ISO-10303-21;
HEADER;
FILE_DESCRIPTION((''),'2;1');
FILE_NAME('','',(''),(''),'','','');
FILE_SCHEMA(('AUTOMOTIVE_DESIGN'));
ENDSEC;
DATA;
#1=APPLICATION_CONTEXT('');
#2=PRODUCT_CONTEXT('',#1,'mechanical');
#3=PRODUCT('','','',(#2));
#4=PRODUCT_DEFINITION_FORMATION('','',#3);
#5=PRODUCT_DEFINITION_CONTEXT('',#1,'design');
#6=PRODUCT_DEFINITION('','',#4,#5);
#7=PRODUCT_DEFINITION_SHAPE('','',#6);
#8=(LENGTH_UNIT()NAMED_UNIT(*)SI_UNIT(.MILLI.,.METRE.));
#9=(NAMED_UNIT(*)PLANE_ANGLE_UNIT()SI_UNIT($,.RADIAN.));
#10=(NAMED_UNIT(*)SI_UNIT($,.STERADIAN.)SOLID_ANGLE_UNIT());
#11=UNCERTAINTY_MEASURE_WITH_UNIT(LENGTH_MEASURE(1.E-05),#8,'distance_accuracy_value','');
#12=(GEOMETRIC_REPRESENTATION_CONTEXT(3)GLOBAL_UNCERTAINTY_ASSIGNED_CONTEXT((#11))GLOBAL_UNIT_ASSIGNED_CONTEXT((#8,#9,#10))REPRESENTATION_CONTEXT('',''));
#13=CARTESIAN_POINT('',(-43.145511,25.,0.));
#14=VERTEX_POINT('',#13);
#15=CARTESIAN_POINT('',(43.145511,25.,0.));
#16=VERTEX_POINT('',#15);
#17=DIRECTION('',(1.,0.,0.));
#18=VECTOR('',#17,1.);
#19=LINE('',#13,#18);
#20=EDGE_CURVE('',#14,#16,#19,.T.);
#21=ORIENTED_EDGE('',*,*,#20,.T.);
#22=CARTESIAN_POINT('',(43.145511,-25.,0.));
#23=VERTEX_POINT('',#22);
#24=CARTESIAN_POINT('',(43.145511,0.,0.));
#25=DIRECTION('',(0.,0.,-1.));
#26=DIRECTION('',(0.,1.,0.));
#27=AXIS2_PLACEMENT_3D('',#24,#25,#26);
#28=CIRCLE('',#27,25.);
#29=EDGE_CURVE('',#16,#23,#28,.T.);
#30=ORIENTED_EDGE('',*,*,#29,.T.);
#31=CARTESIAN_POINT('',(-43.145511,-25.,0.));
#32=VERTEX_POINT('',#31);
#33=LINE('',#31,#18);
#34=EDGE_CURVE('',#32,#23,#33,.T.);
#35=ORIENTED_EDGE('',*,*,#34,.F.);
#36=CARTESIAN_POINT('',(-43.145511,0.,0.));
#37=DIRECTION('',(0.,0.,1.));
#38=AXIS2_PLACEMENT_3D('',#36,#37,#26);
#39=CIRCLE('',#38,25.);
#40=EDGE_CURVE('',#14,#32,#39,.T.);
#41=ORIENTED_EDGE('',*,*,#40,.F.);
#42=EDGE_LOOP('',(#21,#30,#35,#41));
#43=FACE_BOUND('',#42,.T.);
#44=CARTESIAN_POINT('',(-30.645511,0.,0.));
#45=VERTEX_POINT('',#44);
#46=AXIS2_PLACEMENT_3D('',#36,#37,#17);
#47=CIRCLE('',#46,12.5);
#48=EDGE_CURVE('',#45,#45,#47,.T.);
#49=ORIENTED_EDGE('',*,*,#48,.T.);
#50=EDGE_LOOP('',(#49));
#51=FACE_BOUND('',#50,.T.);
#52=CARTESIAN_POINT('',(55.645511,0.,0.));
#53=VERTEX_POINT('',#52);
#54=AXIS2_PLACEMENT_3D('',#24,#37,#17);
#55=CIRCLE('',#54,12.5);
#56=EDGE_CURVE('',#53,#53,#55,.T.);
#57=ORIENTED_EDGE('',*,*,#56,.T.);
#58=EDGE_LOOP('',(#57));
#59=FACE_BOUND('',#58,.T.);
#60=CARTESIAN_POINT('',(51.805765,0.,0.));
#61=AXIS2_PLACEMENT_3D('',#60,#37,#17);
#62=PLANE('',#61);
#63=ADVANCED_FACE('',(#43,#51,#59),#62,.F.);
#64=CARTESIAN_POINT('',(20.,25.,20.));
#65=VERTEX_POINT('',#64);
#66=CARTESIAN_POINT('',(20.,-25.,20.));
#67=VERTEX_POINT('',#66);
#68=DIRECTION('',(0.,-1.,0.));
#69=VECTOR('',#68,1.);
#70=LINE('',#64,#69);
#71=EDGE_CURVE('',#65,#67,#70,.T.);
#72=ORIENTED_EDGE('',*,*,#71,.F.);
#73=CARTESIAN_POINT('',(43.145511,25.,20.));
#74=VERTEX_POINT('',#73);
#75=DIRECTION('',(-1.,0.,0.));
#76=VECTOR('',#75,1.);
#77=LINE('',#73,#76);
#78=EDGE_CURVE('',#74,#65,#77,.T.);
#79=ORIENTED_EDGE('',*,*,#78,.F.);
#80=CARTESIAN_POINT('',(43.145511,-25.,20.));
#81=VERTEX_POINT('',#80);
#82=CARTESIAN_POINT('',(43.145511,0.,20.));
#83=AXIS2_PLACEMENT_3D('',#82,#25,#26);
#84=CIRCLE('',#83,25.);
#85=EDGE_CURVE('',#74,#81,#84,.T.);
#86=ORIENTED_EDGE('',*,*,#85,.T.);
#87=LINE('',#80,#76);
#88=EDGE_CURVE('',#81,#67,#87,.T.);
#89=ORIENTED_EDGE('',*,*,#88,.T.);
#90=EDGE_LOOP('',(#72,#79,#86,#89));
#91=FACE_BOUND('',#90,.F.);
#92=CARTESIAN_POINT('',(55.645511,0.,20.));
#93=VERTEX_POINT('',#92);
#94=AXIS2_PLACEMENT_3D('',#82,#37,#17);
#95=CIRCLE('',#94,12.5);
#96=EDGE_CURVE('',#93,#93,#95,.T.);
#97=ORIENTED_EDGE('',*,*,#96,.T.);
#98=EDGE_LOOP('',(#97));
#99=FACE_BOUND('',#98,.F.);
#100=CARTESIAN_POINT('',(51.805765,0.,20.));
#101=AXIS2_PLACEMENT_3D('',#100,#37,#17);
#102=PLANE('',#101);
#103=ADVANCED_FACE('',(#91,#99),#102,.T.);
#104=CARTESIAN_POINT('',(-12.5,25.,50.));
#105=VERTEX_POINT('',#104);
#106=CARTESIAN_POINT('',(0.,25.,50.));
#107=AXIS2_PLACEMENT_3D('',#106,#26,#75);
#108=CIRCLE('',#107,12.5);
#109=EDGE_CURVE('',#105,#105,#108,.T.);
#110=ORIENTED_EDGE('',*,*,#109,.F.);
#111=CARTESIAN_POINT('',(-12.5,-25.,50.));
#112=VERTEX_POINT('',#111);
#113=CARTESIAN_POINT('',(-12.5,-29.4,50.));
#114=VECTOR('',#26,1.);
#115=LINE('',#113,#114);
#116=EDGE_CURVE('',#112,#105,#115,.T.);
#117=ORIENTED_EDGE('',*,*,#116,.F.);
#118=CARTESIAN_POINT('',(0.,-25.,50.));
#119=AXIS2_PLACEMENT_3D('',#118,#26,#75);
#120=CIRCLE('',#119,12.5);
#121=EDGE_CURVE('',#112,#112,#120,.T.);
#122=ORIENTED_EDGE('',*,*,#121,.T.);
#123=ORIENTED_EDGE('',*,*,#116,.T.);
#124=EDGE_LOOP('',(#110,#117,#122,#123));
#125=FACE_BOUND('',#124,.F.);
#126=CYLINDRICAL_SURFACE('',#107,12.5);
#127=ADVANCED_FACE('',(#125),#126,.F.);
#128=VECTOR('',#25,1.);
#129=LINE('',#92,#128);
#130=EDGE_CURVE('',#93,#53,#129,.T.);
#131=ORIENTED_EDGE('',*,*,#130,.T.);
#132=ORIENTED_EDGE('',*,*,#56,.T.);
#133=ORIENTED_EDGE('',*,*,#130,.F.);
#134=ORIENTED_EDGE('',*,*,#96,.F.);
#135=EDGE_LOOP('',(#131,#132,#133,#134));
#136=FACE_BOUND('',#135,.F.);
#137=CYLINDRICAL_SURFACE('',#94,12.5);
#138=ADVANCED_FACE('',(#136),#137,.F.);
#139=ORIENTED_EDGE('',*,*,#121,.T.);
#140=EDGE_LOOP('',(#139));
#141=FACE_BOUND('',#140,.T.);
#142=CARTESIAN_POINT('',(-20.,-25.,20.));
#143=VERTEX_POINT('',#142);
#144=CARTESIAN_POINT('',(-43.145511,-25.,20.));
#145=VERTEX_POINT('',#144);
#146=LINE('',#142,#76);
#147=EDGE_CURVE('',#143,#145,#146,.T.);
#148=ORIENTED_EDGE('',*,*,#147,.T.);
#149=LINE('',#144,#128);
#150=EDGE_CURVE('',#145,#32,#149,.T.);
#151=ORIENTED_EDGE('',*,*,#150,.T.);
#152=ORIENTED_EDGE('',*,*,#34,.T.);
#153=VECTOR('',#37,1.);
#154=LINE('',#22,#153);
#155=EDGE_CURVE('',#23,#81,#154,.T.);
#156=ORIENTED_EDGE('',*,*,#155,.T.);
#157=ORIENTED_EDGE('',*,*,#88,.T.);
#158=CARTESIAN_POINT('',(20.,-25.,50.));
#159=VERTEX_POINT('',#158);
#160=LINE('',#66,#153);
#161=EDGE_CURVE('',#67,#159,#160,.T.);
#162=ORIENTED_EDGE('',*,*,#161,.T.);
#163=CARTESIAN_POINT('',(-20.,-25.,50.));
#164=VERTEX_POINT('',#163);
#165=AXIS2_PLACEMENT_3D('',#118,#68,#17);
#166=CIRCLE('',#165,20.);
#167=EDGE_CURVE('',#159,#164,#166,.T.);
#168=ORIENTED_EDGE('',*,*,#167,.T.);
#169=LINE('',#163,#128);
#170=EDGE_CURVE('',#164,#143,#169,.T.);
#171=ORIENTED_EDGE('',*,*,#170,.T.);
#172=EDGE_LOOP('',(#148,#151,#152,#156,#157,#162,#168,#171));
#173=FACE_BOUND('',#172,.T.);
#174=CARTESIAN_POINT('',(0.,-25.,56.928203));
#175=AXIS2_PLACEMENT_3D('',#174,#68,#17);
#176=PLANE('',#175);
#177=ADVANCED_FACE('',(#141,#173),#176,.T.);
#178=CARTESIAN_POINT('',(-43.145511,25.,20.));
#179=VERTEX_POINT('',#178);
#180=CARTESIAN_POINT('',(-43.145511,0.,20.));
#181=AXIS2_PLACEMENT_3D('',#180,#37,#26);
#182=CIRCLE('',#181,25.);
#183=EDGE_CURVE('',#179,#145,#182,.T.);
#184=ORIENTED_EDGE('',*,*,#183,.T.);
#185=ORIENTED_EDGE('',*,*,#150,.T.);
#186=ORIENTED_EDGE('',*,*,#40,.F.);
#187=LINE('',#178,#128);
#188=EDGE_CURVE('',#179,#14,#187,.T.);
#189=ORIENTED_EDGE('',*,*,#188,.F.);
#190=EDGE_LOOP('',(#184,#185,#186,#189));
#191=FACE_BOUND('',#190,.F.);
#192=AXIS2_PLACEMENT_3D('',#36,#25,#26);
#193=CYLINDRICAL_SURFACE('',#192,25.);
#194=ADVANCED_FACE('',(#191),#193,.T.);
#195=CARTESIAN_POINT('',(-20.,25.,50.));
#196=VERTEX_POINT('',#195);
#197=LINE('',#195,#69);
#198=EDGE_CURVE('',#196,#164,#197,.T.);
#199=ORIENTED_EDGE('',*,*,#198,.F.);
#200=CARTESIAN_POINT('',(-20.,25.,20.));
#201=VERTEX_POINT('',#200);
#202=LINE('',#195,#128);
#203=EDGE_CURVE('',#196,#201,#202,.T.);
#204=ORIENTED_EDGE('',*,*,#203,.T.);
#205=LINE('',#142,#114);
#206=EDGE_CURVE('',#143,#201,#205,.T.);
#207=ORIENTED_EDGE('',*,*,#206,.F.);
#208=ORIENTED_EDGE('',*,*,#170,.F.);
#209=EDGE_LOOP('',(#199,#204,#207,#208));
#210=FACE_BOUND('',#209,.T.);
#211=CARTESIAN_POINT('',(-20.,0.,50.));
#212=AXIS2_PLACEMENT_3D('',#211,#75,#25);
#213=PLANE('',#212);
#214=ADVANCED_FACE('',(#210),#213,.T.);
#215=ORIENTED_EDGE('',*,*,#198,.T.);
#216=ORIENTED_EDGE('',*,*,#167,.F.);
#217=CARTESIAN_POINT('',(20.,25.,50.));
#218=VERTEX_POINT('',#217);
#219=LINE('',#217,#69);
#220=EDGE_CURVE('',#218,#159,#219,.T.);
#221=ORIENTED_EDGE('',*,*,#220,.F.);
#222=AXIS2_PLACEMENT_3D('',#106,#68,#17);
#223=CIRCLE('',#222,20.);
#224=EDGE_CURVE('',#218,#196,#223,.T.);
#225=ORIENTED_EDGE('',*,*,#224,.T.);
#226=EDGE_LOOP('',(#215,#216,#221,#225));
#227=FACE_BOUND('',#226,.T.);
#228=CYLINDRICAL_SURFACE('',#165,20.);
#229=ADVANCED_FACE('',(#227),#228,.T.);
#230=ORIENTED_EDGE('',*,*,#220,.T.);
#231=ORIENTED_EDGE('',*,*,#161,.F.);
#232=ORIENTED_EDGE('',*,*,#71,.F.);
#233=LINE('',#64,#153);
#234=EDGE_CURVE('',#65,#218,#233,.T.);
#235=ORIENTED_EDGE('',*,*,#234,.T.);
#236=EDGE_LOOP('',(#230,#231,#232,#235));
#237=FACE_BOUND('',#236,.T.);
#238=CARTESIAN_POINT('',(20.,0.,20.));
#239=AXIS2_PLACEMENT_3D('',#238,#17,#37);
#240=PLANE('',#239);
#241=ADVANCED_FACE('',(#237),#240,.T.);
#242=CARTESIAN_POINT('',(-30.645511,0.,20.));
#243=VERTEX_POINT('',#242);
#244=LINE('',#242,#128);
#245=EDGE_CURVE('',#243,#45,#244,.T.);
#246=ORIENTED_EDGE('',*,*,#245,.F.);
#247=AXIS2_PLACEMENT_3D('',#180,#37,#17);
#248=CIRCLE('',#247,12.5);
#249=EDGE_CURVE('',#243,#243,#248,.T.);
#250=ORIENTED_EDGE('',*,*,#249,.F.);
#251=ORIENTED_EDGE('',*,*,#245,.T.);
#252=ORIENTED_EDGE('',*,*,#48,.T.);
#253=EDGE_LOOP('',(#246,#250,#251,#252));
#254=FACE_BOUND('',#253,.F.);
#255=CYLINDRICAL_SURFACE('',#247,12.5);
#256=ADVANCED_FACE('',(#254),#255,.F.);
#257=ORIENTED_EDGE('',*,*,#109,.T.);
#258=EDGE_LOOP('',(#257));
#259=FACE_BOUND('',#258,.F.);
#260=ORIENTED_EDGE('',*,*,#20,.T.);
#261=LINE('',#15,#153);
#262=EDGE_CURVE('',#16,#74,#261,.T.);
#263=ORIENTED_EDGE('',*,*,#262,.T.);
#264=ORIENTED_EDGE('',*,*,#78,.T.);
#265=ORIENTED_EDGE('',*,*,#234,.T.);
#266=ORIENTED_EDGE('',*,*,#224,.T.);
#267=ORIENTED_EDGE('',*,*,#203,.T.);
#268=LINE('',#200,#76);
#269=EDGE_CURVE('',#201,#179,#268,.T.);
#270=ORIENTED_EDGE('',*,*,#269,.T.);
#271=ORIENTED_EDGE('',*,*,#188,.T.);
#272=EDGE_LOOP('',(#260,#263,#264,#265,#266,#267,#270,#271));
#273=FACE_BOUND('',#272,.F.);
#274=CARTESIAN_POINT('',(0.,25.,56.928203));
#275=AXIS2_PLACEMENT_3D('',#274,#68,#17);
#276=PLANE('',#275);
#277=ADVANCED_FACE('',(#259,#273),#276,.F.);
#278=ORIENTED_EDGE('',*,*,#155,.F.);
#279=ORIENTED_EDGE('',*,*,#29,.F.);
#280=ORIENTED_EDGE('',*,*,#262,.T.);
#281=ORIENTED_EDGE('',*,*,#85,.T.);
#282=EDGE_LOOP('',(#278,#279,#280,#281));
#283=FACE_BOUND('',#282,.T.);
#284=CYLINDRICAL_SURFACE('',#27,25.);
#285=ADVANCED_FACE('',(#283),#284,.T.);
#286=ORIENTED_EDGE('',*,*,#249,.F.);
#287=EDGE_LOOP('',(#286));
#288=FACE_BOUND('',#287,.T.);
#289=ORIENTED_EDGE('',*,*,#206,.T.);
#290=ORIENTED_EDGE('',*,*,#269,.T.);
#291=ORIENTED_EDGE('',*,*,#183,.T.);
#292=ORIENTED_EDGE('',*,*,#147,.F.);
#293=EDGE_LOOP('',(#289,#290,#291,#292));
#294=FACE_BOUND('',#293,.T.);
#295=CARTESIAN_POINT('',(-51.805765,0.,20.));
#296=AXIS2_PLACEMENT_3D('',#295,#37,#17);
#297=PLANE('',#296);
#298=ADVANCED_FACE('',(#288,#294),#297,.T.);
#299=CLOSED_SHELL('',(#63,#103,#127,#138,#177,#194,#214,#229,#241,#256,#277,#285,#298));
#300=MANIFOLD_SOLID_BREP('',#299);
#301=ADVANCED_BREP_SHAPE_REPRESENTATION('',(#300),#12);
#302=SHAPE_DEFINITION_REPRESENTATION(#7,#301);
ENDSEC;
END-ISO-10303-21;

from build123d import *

# Parameters (mm, degrees)
F2_DEPTH  = 25
F3_DEPTH  = 20
F6_DEPTH  = 50
F8_R      = 12.5
F9_DEPTH  = 54.4
F7_R      = 12.5
F10_DEPTH = 25


with BuildPart() as f2:
    # F0 (on Front) → F2 (new body, symmetric)
    with BuildSketch(Plane.XZ):
        Polygon((-43.145511, 0), (-20, 0), (20, 0), (43.145511, 0), (43.145511, 20), (20, 20), (20, 50), (-20, 50), (-20, 20), (-43.145511, 20), align=None)
    extrude(amount=F2_DEPTH, both=True)

    # F1 (on Top) → F3 (join)
    with BuildSketch(Plane.XY):
        with BuildLine():
            Line((-43.145511, -25), (-43.145511, 25))
            ThreePointArc((-43.145511, 25), (-68.145511, 0), (-43.145511, -25))
        make_face()
    extrude(amount=F3_DEPTH)

    # F4: F2 across plane


with BuildPart() as f2_1:
    add(f2.part)
    add(f2.part.mirror(Plane.YZ))

    # F5 (on face) → F6 (join)
    with BuildSketch(Plane.XZ.offset(25)):
        with BuildLine():
            Line((-20, 50), (20, 50))
            ThreePointArc((20, 50), (0, 70), (-20, 50))
        make_face()
    extrude(amount=-F6_DEPTH)

    # F8 (on face) → F9 (cut, symmetric)
    with BuildSketch(Plane(origin=(0, 25, 0), x_dir=(-1, 0, 0), z_dir=(0, 1, 0))):
        with Locations((0, 50)):
            Circle(F8_R)
    extrude(amount=F9_DEPTH, both=True, mode=Mode.SUBTRACT)

    # F7 (on face) → F10 (cut)
    with BuildSketch(Plane.XY.offset(20)):
        with Locations((43.145511, 0)):
            Circle(F7_R)
        with Locations((-43.145511, 0)):
            Circle(F7_R)
    extrude(amount=-F10_DEPTH, mode=Mode.SUBTRACT)


solid = f2_1.part
